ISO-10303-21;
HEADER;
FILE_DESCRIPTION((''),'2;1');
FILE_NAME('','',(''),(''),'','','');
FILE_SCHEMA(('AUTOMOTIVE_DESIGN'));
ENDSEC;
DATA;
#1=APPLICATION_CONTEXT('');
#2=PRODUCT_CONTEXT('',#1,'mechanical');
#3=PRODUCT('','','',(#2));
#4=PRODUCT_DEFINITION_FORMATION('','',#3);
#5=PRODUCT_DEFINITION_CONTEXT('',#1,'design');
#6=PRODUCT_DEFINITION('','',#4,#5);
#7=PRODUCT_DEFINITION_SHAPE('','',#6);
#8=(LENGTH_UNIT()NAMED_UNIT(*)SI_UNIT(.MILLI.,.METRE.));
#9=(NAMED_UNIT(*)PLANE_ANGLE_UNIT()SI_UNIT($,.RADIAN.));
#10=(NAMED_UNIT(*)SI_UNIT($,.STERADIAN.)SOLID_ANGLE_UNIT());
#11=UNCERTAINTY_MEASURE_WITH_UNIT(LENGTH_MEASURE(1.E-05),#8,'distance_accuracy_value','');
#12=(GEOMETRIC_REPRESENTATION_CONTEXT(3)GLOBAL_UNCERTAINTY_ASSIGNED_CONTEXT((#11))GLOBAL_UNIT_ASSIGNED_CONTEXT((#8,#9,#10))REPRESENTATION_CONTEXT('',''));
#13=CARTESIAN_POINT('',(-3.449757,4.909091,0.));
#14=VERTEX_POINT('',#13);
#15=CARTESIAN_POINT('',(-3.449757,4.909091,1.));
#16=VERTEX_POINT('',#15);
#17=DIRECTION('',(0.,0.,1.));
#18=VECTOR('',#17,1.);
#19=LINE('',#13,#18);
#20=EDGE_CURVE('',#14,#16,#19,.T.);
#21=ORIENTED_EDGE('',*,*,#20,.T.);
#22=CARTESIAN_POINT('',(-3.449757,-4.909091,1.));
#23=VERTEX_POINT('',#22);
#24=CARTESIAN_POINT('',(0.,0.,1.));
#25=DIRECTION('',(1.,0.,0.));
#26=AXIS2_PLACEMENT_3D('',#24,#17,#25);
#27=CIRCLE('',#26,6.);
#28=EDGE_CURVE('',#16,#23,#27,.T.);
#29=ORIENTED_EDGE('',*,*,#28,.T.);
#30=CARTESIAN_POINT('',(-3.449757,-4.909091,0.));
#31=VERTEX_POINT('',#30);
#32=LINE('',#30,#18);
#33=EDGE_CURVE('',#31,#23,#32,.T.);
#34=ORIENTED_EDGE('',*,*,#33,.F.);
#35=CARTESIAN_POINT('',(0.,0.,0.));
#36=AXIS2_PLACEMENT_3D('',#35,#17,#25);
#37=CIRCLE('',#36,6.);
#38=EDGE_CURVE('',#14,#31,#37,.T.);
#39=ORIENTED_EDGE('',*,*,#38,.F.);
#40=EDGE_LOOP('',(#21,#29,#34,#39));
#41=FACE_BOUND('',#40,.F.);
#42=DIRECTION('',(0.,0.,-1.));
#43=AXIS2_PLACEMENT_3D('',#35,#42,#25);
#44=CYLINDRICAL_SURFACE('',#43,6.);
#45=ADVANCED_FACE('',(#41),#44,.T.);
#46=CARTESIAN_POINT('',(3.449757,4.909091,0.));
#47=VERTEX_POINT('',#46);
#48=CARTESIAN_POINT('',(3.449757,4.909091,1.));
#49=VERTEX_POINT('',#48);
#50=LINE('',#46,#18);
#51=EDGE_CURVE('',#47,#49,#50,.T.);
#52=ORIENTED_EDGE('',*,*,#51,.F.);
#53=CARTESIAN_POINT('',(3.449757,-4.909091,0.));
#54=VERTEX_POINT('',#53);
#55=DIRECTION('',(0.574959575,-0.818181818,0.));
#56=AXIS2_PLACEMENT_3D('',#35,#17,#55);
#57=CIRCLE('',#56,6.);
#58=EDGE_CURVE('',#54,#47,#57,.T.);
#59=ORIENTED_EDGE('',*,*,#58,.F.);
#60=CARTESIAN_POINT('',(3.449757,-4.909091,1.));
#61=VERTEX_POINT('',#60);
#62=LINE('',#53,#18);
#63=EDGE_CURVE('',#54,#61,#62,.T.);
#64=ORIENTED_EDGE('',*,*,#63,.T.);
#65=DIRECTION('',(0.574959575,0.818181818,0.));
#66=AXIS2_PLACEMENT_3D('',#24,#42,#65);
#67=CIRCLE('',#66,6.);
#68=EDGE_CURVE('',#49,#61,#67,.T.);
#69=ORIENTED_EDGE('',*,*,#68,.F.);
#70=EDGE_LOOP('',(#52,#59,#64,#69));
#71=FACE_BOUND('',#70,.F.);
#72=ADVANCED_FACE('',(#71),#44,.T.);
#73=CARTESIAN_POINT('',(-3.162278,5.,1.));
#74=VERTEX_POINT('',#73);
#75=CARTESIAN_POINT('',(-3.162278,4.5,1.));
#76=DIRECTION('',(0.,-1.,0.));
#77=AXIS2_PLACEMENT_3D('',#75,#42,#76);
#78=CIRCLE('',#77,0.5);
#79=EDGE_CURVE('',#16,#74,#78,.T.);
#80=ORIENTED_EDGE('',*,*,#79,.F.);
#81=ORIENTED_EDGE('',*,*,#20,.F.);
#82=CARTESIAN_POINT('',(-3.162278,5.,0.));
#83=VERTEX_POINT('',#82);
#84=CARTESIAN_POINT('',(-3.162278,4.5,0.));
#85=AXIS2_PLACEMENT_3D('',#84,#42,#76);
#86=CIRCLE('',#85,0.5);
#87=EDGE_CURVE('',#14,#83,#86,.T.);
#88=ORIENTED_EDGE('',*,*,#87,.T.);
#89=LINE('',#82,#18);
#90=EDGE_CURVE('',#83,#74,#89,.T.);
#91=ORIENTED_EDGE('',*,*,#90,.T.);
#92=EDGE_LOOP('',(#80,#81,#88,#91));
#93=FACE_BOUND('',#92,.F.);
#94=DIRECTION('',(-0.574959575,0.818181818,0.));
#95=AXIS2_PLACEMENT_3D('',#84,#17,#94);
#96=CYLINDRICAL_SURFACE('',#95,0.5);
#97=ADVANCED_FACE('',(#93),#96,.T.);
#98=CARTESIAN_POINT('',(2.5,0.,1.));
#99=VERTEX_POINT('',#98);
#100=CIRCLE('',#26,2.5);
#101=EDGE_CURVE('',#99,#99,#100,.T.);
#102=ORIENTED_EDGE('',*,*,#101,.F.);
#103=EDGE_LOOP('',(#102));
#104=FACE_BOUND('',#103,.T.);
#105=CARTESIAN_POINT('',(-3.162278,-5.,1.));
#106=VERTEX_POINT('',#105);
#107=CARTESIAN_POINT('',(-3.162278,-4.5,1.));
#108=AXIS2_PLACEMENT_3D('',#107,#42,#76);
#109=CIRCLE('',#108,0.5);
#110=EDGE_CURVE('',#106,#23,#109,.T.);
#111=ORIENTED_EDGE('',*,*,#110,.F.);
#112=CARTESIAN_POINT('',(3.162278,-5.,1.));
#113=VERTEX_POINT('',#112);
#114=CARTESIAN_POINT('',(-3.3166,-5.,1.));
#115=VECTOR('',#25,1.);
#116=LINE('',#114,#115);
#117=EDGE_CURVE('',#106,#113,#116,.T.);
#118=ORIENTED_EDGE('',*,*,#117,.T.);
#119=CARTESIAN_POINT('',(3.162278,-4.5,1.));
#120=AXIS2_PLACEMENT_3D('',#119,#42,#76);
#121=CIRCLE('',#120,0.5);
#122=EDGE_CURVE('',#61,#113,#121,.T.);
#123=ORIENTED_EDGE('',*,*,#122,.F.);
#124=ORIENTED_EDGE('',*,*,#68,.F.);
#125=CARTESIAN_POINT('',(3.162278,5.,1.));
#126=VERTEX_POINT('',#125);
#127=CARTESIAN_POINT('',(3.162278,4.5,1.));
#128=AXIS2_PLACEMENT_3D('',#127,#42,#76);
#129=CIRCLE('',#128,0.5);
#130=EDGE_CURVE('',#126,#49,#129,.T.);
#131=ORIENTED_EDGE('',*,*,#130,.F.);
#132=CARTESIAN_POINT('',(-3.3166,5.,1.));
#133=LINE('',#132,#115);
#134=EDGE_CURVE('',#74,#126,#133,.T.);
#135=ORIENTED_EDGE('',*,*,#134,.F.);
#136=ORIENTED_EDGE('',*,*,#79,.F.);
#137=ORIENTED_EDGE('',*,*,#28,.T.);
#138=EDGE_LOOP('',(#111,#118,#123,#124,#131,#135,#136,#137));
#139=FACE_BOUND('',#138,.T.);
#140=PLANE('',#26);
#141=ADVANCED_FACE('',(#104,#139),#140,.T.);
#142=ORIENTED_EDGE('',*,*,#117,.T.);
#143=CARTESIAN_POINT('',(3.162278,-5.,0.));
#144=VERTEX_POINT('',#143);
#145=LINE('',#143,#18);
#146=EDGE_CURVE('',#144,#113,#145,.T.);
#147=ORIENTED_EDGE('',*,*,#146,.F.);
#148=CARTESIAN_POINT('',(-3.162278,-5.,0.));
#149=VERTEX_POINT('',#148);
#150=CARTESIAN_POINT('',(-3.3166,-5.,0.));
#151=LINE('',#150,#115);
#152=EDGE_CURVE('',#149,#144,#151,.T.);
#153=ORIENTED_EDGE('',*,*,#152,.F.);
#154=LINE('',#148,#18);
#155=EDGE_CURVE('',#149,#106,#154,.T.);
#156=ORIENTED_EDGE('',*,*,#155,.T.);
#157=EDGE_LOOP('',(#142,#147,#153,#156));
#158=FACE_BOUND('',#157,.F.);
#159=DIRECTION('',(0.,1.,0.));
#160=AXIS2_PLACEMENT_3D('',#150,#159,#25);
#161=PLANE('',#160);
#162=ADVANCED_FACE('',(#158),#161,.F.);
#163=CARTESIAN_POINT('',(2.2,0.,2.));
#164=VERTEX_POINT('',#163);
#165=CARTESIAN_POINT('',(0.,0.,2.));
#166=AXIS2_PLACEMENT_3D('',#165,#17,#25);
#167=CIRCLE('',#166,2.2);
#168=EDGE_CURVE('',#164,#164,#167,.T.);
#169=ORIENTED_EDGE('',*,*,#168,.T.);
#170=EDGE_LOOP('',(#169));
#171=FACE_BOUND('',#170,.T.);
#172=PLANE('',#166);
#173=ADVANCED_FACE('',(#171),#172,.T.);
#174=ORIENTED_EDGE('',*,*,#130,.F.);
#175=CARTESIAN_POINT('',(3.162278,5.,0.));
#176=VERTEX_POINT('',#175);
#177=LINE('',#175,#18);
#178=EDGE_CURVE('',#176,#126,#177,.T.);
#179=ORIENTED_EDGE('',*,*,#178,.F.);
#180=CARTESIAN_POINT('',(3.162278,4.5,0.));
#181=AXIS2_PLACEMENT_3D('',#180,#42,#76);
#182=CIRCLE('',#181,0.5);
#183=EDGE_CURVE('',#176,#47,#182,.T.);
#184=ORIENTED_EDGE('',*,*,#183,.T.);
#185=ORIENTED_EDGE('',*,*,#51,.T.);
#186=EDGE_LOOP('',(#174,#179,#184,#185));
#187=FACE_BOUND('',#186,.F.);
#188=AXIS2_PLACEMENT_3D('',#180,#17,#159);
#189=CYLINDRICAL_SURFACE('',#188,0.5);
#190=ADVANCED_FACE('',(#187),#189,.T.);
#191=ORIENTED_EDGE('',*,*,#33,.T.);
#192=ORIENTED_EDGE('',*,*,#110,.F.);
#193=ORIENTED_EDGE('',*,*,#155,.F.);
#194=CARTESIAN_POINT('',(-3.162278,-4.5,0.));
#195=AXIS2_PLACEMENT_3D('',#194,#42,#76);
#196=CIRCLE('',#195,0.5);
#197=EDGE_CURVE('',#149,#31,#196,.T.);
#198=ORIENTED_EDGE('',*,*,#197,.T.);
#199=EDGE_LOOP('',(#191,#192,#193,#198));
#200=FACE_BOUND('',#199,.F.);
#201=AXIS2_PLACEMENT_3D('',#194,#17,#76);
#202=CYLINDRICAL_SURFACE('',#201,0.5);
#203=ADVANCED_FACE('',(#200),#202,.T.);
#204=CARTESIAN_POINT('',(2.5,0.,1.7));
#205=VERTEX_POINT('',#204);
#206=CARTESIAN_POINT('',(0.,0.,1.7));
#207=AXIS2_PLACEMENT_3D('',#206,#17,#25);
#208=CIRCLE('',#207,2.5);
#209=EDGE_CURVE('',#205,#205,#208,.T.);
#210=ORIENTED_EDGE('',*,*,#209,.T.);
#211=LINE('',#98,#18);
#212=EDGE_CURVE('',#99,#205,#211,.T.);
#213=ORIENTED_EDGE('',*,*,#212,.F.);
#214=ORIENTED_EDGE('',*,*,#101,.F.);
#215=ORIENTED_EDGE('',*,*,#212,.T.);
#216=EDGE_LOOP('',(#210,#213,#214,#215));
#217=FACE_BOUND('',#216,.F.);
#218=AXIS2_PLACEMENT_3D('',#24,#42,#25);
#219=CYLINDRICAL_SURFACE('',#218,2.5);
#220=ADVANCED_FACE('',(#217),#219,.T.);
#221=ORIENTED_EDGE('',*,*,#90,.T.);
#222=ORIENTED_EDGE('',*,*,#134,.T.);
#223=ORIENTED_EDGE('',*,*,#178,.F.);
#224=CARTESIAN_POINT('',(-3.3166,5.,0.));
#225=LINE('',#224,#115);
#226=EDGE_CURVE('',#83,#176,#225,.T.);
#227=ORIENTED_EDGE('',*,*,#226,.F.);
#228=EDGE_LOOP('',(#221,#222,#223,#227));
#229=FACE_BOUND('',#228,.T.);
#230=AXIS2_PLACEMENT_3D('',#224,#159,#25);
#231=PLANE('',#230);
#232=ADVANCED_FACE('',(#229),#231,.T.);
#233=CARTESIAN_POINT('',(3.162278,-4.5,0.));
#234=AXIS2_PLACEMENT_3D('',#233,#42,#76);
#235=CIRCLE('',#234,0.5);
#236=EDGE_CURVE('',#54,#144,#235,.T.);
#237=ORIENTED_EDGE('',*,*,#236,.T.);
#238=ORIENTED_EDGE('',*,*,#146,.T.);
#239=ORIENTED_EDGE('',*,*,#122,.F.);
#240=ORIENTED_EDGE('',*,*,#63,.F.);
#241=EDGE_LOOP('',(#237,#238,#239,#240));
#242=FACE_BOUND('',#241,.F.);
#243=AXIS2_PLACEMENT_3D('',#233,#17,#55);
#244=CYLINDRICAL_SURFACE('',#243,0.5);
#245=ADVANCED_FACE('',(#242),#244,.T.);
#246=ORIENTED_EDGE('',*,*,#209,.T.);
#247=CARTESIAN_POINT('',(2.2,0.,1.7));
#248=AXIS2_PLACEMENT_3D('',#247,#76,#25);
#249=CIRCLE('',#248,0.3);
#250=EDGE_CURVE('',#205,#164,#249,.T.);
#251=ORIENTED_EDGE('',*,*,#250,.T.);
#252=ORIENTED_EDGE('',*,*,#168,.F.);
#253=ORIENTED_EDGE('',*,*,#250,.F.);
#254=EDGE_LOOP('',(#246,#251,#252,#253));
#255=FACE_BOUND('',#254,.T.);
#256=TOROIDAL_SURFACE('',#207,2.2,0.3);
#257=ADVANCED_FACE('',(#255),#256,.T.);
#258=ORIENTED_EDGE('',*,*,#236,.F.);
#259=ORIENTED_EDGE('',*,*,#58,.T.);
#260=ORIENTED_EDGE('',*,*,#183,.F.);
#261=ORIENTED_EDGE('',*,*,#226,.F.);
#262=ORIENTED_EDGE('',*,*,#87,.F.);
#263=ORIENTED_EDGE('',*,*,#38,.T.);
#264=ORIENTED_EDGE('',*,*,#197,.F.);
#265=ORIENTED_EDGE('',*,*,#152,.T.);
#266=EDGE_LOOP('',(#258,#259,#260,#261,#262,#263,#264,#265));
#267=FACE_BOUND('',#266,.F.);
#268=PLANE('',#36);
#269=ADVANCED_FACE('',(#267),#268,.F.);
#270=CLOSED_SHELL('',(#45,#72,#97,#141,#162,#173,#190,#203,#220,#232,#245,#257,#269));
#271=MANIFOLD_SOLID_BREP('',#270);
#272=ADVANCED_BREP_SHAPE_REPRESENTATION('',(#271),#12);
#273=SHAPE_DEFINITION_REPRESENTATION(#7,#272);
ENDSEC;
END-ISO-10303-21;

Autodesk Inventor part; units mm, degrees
ref_plane "YZ Plane" through (0, 0, 0) normal (1, 0, 0) x (0, 1, 0)
ref_plane "XZ Plane" through (0, 0, 0) normal (0, 1, 0) x (-1, 0, 0)
ref_plane "XY Plane" through (0, 0, 0) normal (0, 0, 1) x (1, 0, 0)
sketch "Esquisse1" plane through (0, 0, 0) normal (0, 0, 1) x (1, 0, 0)
  circle A0 centre (0, 0) radius 6
  line L0 (-3.3166, 5) -> (3.3166, 5)
  line L1 (-3.3166, -5) -> (3.3166, -5)
  dimension "d0" = 12
  dimension "d1" = 10
  dimension "d2" = 5
extrude "Extrusion1" add sketch "Esquisse1" along normal blind 1 contours A0 L1 L0
fillet "Congé1" radius 0.5 4 edges at (-3.3166, 5, 0.5) (3.3166, 5, 0.5) (-3.3166, -5, 0.5) (3.3166, -5, 0.5)
sketch "Esquisse2" plane through (0, 0, 1) normal (0, 0, 1) x (1, 0, 0)
  arc A0 (-3.4498, 4.9091) -> (-3.4498, -4.9091) centre (0, 0) ccw projected
  circle A1 centre (0, 0) radius 2.5
  dimension "d6" = 5
extrude "Extrusion2" add sketch "Esquisse2" along normal blind 1
fillet "Congé2" radius 0.3 1 edges at (-2.5, 0, 2)
equation "\"d2\" = 0.5 * d1"
properties part number "plaque moteur" material "Résine acétal, noir"
